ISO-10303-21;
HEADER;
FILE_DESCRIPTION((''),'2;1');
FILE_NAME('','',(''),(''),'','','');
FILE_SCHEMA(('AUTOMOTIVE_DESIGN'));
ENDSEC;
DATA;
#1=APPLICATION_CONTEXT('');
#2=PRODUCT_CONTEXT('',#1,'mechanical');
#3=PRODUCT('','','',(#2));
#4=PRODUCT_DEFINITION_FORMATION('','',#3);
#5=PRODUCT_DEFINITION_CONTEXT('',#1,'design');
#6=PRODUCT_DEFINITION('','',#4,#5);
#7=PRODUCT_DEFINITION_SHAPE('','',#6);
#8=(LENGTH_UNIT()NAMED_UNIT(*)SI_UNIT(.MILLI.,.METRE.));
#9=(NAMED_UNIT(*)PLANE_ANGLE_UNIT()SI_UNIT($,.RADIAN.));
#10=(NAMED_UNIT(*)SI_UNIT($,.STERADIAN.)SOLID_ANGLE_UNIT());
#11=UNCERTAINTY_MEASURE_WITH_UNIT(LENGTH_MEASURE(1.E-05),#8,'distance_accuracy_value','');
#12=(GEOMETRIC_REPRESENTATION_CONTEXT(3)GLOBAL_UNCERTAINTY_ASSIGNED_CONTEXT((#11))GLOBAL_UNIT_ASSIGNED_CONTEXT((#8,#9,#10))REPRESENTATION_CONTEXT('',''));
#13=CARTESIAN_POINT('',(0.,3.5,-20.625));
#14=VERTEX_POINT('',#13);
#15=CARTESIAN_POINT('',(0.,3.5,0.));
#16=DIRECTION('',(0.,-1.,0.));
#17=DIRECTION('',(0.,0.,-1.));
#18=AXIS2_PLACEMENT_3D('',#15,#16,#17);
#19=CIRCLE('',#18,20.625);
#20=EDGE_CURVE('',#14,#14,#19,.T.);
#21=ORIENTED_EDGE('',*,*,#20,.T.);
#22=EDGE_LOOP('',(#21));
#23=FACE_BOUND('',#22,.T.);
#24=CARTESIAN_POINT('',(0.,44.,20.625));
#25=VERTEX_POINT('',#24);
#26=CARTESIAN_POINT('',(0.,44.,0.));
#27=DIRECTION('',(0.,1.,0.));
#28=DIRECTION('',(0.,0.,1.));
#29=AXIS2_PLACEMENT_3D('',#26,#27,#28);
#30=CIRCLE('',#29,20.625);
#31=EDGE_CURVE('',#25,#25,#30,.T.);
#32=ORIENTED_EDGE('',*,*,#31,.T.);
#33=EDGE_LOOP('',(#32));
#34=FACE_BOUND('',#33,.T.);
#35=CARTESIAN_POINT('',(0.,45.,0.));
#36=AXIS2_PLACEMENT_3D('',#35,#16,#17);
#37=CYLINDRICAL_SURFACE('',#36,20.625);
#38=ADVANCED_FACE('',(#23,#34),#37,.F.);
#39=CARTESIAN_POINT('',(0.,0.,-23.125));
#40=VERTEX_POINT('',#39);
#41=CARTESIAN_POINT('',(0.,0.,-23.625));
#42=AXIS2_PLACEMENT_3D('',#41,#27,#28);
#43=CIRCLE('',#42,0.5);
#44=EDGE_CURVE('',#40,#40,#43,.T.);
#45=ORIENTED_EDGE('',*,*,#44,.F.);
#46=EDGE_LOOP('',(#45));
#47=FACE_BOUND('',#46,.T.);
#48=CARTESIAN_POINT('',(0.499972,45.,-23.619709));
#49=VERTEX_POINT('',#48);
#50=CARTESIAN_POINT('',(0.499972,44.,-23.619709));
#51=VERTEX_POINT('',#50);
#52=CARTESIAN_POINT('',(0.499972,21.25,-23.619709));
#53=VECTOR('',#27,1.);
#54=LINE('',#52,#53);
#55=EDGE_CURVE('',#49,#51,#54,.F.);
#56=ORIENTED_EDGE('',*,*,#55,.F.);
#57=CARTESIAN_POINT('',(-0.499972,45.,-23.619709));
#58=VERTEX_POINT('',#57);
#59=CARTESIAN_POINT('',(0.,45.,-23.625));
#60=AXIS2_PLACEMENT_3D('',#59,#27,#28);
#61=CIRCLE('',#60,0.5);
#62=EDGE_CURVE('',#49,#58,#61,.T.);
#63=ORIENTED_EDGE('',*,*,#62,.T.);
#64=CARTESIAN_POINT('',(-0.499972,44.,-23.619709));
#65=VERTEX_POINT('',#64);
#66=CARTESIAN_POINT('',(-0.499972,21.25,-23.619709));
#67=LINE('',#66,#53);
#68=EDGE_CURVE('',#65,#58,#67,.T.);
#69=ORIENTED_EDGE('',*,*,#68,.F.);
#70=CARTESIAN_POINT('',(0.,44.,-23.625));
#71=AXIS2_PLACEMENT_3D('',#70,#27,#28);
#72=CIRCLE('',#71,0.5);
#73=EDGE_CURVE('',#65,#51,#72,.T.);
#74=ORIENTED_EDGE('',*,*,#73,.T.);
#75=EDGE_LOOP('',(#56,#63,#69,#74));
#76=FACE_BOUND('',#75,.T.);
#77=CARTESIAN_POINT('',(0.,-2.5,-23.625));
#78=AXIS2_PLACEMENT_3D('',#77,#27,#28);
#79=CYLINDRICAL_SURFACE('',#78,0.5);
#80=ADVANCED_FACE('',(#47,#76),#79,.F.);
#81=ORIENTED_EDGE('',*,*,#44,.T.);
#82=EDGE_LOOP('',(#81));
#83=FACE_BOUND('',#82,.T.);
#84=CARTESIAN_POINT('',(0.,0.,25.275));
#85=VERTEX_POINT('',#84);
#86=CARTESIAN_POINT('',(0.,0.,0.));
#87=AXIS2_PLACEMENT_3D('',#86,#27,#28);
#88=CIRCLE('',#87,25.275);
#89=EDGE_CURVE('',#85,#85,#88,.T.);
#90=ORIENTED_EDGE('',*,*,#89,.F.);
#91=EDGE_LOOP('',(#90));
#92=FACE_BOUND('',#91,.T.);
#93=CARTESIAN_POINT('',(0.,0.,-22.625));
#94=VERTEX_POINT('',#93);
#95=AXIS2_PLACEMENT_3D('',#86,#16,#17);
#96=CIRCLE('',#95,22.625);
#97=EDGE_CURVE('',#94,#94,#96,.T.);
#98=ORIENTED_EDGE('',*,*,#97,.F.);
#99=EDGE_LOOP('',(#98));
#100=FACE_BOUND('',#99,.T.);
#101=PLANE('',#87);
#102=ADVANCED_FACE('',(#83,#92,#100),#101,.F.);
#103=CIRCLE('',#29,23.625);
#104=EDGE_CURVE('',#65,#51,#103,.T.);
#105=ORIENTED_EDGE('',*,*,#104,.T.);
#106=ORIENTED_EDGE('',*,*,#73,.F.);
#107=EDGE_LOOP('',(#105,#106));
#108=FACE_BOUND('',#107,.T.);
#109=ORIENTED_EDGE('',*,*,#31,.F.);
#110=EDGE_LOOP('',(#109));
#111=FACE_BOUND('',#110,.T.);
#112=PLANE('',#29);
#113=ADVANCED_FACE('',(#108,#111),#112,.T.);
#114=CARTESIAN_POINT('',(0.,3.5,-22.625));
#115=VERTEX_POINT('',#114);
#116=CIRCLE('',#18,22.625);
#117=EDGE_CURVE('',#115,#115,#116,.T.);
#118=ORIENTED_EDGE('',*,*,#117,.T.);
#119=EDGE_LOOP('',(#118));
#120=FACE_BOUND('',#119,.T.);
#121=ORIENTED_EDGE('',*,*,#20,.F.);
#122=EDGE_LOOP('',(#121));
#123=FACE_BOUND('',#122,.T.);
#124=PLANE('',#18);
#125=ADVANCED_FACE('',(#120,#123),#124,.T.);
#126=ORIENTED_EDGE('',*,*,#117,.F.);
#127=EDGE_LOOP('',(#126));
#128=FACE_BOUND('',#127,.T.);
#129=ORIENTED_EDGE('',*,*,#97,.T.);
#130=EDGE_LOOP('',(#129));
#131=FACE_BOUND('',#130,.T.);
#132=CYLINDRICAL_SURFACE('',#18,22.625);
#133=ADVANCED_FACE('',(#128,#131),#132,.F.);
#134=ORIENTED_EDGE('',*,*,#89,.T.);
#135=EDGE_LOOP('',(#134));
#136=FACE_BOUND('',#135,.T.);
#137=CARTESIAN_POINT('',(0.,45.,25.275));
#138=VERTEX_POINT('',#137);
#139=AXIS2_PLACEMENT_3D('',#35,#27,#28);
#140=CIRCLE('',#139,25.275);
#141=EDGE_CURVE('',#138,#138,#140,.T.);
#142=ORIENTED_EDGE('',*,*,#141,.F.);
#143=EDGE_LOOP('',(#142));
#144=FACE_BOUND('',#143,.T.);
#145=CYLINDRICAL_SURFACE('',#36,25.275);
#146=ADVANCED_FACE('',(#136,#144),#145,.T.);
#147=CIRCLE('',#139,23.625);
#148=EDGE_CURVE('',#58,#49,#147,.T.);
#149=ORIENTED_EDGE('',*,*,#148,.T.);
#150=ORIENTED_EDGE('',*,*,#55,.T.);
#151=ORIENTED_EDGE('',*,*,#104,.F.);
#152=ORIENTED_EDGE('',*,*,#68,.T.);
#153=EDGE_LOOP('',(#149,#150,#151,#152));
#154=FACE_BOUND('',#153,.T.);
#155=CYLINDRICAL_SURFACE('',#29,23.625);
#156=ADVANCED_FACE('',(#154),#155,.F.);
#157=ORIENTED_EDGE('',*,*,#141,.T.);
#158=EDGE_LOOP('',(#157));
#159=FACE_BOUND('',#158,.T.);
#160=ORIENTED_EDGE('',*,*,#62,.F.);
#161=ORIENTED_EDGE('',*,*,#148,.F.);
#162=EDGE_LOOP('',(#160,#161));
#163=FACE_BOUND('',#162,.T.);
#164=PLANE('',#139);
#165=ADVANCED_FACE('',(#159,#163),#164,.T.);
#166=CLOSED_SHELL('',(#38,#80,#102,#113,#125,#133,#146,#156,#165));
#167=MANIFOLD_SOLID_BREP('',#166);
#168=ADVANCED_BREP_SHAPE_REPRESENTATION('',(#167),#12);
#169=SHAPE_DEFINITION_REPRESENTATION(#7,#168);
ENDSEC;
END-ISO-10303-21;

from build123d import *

# Parameters (mm, degrees)
SKETCH1_R           = 25.275
SKETCH1_R_2         = 20.625
BOSS_EXTRUDE1_DEPTH = 45
SKETCH2_R           = 22.625
CUT_EXTRUDE1_DEPTH  = 3.5
SKETCH3_R           = 23.625
CUT_EXTRUDE2_DEPTH  = 1
SKETCH4_R           = 0.5
CUT_EXTRUDE3_DEPTH  = 47.5


with BuildPart() as part:
    # Sketch1 → Boss-Extrude1 (new body)
    with BuildSketch(Plane(origin=(0, 0, 0), x_dir=(1, 0, 0), z_dir=(0, 1, 0))):
        Circle(SKETCH1_R)
        Circle(SKETCH1_R_2, mode=Mode.SUBTRACT)
    extrude(amount=BOSS_EXTRUDE1_DEPTH)

    # Sketch2 → Cut-Extrude1 (cut)
    with BuildSketch(Plane.XZ):
        Circle(SKETCH2_R)
    extrude(amount=-CUT_EXTRUDE1_DEPTH, mode=Mode.SUBTRACT)

    # Sketch3 → Cut-Extrude2 (cut)
    with BuildSketch(Plane(origin=(0, 45, 0), x_dir=(1, 0, 0), z_dir=(0, 1, 0))):
        Circle(SKETCH3_R)
    extrude(amount=-CUT_EXTRUDE2_DEPTH, mode=Mode.SUBTRACT)

    # Sketch4 → Cut-Extrude3 (cut)
    with BuildSketch(Plane(origin=(0, 45, 0), x_dir=(1, 0, 0), z_dir=(0, 1, 0))):
        with Locations((0, 23.625)):
            Circle(SKETCH4_R)
    extrude(amount=-CUT_EXTRUDE3_DEPTH, mode=Mode.SUBTRACT)


solid = part.part
